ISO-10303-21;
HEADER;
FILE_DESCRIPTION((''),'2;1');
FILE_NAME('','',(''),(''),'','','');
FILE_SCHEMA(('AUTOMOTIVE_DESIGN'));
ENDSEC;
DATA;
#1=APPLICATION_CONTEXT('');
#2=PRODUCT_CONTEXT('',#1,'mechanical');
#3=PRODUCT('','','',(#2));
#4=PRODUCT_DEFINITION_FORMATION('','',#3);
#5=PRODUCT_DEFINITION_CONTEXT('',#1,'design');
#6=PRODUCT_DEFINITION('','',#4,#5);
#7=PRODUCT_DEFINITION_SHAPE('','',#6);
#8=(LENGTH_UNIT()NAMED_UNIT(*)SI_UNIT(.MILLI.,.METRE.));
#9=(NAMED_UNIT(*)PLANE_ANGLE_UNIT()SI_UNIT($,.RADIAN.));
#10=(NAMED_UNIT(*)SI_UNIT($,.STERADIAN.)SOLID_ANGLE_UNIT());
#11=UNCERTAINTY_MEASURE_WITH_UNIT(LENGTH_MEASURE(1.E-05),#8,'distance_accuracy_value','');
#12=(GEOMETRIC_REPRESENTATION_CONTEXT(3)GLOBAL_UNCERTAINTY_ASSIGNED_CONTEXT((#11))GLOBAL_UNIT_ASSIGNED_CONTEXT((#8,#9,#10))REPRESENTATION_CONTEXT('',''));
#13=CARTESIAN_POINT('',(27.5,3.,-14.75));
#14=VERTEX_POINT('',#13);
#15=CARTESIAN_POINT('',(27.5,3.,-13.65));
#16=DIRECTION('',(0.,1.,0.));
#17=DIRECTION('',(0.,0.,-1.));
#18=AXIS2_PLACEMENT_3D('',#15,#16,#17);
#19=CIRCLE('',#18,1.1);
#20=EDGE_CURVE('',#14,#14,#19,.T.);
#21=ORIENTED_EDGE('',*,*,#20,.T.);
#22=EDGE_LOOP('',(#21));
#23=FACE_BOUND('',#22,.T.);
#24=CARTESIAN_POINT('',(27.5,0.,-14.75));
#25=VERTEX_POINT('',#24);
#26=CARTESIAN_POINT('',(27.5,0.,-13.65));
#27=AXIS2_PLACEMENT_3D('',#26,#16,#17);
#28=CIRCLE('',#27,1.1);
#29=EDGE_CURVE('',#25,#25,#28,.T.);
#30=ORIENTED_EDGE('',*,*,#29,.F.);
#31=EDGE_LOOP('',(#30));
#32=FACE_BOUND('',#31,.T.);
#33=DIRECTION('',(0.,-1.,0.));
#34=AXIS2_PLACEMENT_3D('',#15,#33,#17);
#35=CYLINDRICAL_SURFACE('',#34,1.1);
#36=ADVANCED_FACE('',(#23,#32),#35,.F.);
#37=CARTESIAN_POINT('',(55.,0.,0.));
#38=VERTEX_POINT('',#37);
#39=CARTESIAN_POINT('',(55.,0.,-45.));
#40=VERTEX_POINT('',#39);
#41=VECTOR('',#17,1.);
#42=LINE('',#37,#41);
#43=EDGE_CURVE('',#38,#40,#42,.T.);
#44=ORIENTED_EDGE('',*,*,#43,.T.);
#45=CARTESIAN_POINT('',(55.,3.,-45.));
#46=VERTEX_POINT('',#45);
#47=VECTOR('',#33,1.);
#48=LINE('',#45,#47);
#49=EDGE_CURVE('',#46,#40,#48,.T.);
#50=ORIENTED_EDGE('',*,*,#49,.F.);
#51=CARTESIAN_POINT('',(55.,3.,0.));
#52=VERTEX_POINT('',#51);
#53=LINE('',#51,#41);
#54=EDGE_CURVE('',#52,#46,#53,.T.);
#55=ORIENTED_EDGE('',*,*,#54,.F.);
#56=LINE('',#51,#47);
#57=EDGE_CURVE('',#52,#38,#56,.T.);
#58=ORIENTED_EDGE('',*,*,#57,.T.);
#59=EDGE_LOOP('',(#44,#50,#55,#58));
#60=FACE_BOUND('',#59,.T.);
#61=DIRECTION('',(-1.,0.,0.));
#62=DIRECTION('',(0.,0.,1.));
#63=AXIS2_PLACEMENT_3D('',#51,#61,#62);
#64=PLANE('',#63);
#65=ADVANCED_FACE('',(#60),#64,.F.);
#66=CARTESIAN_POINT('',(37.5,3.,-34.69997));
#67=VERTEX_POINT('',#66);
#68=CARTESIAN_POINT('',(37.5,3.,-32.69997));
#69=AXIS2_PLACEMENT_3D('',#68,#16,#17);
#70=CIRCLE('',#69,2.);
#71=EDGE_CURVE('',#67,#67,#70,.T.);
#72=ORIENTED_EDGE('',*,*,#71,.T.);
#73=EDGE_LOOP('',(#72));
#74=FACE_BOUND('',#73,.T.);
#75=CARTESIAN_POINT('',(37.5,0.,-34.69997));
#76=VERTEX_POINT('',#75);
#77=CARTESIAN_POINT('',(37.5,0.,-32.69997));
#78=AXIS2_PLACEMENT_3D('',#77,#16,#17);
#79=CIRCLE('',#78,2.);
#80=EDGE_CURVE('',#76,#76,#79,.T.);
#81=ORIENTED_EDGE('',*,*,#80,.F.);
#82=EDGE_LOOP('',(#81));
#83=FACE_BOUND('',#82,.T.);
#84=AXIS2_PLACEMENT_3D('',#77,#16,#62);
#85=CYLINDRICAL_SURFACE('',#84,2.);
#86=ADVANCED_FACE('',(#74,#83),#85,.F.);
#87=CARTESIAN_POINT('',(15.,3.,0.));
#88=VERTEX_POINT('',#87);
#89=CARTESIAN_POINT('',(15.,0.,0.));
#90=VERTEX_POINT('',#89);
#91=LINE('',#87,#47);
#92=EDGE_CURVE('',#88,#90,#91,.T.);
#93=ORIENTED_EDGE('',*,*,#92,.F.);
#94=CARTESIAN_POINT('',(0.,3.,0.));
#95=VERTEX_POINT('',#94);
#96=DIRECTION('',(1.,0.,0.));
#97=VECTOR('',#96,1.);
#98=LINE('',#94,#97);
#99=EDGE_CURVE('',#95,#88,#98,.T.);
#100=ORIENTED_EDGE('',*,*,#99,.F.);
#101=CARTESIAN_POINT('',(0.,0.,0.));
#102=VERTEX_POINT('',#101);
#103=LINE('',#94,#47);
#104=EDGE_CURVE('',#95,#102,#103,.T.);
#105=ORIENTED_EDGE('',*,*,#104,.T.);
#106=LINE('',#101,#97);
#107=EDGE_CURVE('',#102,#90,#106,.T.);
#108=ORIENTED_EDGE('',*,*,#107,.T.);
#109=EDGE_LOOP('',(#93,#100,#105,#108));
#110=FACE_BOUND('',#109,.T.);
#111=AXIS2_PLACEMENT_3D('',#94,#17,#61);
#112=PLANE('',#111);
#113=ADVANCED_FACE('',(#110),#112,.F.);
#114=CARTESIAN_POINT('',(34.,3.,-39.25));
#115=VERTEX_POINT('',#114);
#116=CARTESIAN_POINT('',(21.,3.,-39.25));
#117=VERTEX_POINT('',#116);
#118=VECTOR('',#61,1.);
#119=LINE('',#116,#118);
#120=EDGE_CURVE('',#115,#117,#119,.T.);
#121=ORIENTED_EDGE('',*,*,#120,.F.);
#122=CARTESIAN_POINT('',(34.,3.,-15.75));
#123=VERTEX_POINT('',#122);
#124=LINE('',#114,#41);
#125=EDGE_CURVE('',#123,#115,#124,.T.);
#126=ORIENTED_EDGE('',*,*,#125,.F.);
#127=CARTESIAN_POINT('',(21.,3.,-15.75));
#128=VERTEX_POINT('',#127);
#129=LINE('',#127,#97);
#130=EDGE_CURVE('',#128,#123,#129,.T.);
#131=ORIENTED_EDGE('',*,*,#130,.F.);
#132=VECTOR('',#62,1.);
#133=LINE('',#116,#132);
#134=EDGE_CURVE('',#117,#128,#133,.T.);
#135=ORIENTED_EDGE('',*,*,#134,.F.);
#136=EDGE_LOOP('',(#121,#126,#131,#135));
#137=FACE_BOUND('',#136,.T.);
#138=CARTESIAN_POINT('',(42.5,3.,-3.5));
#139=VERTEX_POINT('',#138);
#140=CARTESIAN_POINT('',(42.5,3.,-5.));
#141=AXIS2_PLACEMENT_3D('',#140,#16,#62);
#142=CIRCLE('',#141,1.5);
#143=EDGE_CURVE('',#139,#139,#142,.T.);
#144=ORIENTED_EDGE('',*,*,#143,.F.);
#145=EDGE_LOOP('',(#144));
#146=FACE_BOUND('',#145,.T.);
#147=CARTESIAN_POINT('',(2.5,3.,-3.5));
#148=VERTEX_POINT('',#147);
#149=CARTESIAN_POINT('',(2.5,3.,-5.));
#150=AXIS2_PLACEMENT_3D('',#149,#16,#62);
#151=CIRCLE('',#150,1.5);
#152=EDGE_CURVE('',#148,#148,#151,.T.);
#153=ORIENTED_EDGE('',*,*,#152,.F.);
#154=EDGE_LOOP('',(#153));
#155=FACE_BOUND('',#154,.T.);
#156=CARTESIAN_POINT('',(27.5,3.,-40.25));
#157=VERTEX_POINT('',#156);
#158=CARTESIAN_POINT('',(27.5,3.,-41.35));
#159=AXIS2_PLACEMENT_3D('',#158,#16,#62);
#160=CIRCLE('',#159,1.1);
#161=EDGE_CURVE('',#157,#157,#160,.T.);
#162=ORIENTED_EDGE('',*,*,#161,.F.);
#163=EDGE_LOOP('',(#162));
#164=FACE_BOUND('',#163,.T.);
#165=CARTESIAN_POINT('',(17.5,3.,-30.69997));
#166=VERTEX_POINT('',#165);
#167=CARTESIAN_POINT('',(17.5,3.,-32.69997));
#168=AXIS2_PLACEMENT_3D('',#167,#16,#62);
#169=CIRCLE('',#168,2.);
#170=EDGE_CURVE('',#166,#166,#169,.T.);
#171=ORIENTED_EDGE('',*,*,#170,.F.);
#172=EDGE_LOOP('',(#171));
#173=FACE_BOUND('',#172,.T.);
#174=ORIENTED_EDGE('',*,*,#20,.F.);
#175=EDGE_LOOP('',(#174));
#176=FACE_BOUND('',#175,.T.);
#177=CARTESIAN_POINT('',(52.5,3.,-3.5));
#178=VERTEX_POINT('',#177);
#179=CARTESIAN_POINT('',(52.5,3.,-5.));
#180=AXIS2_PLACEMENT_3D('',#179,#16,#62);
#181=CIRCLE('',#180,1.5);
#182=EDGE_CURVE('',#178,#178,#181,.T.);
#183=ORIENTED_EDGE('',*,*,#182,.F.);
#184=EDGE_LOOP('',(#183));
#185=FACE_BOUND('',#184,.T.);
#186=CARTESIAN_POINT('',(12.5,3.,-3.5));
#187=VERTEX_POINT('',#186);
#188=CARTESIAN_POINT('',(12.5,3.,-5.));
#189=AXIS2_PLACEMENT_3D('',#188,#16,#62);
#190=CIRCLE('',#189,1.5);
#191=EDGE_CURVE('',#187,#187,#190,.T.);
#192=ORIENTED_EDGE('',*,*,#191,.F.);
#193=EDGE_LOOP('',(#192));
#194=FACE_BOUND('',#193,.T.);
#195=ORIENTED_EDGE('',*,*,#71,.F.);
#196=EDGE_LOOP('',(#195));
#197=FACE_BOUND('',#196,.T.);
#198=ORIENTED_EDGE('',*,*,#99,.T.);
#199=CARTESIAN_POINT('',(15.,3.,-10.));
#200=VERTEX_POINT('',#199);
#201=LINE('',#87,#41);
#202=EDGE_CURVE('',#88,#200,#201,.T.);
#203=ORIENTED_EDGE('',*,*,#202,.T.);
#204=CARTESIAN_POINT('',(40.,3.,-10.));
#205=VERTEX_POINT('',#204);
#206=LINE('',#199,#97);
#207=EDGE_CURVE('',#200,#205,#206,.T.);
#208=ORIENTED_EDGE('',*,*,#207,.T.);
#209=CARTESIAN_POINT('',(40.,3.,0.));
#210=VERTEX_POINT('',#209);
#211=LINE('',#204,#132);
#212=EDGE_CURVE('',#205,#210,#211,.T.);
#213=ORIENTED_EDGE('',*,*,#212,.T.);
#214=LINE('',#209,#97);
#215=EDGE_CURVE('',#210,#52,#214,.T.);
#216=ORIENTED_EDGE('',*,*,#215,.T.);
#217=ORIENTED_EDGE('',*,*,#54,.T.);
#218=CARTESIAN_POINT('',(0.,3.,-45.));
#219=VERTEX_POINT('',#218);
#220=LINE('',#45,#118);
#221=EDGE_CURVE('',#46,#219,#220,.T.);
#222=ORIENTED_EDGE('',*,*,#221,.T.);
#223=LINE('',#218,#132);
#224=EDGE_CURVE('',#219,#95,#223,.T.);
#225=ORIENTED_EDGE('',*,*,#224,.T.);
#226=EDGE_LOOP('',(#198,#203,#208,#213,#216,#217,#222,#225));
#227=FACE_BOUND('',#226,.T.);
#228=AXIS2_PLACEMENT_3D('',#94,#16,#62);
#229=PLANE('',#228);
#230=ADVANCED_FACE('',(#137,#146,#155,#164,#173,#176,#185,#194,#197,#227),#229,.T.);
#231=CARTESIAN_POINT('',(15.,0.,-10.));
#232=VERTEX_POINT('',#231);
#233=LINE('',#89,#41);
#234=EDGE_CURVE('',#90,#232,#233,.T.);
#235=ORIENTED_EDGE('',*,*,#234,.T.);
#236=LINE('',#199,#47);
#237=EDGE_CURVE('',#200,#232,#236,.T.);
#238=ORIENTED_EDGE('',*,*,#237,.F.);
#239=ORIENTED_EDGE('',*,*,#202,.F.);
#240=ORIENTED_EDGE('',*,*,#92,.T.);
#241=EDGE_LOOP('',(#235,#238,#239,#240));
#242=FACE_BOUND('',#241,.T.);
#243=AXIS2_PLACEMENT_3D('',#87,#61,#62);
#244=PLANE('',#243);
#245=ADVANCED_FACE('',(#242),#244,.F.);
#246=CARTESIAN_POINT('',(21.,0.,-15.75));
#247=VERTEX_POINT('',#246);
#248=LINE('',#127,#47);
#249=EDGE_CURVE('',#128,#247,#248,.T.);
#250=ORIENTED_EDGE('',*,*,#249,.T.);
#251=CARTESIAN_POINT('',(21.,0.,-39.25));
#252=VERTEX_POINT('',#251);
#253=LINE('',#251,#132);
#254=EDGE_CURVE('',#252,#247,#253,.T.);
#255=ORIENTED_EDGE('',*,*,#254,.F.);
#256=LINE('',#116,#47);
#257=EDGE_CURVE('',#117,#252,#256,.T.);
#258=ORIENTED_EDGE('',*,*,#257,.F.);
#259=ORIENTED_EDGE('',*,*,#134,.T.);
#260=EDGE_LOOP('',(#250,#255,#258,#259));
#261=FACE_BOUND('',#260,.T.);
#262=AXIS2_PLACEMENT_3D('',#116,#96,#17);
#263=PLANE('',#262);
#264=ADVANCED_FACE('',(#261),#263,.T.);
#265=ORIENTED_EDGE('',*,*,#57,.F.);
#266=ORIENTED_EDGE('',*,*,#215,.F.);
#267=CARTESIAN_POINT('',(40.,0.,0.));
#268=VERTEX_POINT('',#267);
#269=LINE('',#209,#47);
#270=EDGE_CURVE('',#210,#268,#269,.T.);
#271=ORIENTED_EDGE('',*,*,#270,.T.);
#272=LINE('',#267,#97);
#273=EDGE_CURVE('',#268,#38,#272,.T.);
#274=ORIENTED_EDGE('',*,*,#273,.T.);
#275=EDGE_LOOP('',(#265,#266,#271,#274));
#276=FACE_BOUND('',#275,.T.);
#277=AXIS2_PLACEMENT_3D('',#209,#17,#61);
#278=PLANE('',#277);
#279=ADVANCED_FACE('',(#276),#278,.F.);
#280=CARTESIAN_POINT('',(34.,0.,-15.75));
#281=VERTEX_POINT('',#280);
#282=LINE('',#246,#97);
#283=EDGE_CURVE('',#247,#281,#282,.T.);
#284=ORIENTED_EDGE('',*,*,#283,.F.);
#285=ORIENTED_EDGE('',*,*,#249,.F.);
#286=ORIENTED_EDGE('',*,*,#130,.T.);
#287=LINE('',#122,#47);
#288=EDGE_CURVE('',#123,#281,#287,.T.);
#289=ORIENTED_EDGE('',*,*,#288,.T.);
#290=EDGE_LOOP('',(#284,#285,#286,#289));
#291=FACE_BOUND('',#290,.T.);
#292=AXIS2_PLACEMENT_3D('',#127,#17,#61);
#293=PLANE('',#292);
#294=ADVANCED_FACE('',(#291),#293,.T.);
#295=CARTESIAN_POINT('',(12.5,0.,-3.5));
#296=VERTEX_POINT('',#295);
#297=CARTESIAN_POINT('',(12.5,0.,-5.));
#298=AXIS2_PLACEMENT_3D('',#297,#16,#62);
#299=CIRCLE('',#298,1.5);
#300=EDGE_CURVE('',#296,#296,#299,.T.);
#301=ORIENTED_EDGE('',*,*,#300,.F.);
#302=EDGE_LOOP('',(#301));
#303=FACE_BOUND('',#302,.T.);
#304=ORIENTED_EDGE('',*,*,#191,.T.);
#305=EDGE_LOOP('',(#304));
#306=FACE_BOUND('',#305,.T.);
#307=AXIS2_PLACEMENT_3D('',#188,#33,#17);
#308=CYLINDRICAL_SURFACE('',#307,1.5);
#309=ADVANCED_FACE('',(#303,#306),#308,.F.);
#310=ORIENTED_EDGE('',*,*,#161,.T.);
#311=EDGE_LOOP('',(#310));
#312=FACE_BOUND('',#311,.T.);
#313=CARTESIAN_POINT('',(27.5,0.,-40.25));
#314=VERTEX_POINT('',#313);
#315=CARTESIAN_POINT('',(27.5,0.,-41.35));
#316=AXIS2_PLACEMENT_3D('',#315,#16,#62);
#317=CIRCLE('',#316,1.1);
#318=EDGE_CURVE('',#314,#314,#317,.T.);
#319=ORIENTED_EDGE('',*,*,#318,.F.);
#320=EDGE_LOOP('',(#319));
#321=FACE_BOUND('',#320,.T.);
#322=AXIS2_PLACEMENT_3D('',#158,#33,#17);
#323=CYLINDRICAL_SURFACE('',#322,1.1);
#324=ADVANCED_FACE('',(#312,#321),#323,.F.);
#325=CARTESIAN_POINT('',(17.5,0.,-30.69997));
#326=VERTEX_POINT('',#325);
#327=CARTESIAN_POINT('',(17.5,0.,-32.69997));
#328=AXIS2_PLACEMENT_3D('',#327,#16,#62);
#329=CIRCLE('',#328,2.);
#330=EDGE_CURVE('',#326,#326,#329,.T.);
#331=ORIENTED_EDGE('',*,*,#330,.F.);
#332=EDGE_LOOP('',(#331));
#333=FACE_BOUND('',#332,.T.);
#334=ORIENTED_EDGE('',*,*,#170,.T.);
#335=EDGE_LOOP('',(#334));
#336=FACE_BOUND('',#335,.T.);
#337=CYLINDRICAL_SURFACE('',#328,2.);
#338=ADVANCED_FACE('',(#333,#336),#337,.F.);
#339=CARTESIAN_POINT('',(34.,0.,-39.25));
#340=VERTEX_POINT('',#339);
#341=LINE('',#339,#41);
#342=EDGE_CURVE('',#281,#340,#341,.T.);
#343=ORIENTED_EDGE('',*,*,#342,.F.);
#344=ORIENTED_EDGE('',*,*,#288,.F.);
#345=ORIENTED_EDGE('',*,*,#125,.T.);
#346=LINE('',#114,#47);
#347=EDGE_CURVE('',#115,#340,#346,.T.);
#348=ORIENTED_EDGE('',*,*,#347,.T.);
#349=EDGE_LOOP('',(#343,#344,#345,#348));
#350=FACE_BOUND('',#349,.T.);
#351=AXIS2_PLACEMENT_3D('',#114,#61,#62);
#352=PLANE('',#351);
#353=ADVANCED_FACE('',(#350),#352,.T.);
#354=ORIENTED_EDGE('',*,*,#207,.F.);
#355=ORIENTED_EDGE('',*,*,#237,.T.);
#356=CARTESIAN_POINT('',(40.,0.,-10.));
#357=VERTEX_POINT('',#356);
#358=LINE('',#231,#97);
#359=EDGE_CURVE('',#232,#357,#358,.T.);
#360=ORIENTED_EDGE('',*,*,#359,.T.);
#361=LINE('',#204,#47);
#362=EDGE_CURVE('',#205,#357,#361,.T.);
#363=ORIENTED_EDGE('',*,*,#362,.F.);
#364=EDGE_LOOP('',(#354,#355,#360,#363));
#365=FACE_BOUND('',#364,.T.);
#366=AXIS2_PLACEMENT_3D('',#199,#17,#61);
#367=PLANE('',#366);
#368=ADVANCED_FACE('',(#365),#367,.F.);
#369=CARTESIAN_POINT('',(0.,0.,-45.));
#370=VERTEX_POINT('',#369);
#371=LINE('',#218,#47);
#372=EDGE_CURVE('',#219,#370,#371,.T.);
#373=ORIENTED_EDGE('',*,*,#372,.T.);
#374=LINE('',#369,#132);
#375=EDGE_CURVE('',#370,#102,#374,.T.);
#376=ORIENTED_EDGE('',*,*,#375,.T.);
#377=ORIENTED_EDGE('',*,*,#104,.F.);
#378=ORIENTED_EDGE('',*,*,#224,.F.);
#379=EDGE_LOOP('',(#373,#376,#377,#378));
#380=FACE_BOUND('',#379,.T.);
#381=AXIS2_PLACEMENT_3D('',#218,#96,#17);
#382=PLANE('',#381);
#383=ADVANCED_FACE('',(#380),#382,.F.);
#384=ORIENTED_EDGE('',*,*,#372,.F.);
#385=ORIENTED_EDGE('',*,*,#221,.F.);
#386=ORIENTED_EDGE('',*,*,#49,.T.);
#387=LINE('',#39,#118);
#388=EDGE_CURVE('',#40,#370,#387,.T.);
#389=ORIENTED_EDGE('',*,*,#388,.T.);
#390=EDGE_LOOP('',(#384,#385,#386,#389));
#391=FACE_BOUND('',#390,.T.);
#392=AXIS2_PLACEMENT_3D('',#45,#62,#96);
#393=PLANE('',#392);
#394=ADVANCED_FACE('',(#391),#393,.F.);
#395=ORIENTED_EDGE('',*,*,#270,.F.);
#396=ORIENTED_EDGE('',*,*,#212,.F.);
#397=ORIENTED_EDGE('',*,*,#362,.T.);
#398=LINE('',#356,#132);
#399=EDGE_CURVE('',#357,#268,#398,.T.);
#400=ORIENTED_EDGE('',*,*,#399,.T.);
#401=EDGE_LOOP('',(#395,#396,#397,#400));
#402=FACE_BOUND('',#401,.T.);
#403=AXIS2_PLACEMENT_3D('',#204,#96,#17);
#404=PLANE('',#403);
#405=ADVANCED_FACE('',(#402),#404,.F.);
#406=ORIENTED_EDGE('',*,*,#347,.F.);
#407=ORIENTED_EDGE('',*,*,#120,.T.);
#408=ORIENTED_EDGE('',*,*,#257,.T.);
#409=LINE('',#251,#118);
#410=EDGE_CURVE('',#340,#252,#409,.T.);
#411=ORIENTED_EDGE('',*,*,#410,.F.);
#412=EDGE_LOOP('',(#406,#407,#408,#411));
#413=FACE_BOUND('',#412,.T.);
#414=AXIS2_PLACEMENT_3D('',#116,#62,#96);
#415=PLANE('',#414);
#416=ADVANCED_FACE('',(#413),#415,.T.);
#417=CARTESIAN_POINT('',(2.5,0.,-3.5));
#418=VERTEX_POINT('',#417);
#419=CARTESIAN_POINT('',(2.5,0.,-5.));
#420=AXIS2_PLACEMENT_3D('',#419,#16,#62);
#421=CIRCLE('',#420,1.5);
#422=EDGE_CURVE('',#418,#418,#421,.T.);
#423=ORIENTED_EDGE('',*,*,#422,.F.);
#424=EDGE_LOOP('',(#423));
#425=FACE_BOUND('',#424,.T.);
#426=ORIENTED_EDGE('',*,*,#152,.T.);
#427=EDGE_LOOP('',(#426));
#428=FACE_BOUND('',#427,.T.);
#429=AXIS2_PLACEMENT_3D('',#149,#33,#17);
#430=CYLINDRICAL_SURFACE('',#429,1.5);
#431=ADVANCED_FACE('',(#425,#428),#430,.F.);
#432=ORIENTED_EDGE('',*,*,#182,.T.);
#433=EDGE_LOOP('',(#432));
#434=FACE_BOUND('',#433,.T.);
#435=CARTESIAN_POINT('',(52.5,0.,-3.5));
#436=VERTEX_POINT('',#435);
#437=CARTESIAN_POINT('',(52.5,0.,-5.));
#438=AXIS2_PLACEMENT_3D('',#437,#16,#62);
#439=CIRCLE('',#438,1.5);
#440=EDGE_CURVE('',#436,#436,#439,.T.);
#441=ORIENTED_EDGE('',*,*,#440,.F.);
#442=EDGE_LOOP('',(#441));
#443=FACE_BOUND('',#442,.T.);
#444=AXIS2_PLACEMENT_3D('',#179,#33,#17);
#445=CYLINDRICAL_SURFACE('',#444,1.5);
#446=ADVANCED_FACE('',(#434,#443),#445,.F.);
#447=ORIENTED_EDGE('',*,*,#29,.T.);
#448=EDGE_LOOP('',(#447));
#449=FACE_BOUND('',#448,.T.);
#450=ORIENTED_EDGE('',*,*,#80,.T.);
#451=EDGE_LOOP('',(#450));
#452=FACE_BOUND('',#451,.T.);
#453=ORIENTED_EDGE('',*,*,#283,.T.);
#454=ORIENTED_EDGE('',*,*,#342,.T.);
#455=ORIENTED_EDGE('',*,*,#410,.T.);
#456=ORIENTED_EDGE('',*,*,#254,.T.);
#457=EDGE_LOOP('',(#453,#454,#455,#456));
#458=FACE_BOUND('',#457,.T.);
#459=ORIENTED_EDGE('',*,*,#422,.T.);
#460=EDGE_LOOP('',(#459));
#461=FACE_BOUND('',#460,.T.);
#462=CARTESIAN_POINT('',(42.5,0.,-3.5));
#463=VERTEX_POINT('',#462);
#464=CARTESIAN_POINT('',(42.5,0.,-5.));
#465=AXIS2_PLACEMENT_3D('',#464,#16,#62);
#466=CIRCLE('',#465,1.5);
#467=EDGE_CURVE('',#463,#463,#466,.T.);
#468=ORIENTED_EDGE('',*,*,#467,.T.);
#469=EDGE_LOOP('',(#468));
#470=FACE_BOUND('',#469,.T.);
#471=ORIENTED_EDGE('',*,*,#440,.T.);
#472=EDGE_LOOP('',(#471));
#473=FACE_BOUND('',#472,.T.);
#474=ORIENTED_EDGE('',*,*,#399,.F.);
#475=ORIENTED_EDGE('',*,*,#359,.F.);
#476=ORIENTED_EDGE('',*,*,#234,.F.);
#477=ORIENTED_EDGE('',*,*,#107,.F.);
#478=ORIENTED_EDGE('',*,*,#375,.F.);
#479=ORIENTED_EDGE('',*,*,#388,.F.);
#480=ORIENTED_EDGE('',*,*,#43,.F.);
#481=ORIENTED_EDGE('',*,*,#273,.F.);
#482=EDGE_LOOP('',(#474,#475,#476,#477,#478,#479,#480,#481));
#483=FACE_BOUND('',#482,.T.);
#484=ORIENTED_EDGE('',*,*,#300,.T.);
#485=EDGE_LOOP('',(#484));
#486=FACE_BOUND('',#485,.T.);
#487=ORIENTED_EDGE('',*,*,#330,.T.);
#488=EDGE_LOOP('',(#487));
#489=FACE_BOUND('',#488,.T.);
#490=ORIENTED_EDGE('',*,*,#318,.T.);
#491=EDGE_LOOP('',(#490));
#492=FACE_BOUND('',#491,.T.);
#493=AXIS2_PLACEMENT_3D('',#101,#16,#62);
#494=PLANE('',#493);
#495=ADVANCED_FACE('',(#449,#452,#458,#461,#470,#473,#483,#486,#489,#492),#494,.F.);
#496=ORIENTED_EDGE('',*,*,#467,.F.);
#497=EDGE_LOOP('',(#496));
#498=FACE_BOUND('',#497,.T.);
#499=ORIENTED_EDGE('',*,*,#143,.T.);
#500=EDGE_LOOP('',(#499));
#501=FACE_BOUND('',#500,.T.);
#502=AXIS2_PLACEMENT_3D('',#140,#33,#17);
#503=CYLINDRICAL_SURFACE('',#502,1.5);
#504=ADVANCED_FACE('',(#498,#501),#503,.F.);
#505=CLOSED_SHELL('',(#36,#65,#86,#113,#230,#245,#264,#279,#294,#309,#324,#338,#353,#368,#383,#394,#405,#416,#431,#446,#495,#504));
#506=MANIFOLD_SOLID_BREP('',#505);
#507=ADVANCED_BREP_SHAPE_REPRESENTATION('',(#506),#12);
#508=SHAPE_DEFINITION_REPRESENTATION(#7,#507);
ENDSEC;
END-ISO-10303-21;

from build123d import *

# Parameters (mm, degrees)
SKETCH1_R           = 1.5
SKETCH1_R_2         = 1.1
SKETCH1_W           = 13
SKETCH1_H           = 23.5
BOSS_EXTRUDE1_DEPTH = 3
SKETCH2_R           = 2
CUT_EXTRUDE1_DEPTH  = 72.126647608


with BuildPart() as part:
    # Sketch1 → Boss-Extrude1 (new body)
    with BuildSketch(Plane(origin=(0, 0, 0), x_dir=(1, 0, 0), z_dir=(0, 1, 0))):
        Polygon((0, 0), (15, 0), (15, 10), (40, 10), (40, 0), (55, 0), (55, 45), (0, 45), align=None)
        with Locations(Location((42.5, 5, 0), (0, 0, 270))):
            Circle(SKETCH1_R, mode=Mode.SUBTRACT)
        with Locations(Location((52.5, 5, 0), (0, 0, 270))):
            Circle(SKETCH1_R, mode=Mode.SUBTRACT)
        with Locations(Location((12.5, 5, 0), (0, 0, 270))):
            Circle(SKETCH1_R, mode=Mode.SUBTRACT)
        with Locations(Location((2.5, 5, 0), (0, 0, 270))):
            Circle(SKETCH1_R, mode=Mode.SUBTRACT)
        with Locations(Location((27.5, 41.35, 0), (0, 0, 270))):
            Circle(SKETCH1_R_2, mode=Mode.SUBTRACT)
        with Locations(Location((27.5, 13.65, 0), (0, 0, 90))):
            Circle(SKETCH1_R_2, mode=Mode.SUBTRACT)
        with Locations((27.5, 27.5)):
            Rectangle(SKETCH1_W, SKETCH1_H, mode=Mode.SUBTRACT)
    extrude(amount=BOSS_EXTRUDE1_DEPTH)

    # Sketch2 → Cut-Extrude1 (cut, through all)
    with BuildSketch(Plane(origin=(0, 3, 0), x_dir=(1, 0, 0), z_dir=(0, 1, 0))):
        with Locations(Location((17.5, 32.699969783, 0), (0, 0, 270))):
            Circle(SKETCH2_R)
        with Locations(Location((37.5, 32.699969783, 0), (0, 0, 90))):
            Circle(SKETCH2_R)
    extrude(amount=-CUT_EXTRUDE1_DEPTH, mode=Mode.SUBTRACT)


solid = part.part
